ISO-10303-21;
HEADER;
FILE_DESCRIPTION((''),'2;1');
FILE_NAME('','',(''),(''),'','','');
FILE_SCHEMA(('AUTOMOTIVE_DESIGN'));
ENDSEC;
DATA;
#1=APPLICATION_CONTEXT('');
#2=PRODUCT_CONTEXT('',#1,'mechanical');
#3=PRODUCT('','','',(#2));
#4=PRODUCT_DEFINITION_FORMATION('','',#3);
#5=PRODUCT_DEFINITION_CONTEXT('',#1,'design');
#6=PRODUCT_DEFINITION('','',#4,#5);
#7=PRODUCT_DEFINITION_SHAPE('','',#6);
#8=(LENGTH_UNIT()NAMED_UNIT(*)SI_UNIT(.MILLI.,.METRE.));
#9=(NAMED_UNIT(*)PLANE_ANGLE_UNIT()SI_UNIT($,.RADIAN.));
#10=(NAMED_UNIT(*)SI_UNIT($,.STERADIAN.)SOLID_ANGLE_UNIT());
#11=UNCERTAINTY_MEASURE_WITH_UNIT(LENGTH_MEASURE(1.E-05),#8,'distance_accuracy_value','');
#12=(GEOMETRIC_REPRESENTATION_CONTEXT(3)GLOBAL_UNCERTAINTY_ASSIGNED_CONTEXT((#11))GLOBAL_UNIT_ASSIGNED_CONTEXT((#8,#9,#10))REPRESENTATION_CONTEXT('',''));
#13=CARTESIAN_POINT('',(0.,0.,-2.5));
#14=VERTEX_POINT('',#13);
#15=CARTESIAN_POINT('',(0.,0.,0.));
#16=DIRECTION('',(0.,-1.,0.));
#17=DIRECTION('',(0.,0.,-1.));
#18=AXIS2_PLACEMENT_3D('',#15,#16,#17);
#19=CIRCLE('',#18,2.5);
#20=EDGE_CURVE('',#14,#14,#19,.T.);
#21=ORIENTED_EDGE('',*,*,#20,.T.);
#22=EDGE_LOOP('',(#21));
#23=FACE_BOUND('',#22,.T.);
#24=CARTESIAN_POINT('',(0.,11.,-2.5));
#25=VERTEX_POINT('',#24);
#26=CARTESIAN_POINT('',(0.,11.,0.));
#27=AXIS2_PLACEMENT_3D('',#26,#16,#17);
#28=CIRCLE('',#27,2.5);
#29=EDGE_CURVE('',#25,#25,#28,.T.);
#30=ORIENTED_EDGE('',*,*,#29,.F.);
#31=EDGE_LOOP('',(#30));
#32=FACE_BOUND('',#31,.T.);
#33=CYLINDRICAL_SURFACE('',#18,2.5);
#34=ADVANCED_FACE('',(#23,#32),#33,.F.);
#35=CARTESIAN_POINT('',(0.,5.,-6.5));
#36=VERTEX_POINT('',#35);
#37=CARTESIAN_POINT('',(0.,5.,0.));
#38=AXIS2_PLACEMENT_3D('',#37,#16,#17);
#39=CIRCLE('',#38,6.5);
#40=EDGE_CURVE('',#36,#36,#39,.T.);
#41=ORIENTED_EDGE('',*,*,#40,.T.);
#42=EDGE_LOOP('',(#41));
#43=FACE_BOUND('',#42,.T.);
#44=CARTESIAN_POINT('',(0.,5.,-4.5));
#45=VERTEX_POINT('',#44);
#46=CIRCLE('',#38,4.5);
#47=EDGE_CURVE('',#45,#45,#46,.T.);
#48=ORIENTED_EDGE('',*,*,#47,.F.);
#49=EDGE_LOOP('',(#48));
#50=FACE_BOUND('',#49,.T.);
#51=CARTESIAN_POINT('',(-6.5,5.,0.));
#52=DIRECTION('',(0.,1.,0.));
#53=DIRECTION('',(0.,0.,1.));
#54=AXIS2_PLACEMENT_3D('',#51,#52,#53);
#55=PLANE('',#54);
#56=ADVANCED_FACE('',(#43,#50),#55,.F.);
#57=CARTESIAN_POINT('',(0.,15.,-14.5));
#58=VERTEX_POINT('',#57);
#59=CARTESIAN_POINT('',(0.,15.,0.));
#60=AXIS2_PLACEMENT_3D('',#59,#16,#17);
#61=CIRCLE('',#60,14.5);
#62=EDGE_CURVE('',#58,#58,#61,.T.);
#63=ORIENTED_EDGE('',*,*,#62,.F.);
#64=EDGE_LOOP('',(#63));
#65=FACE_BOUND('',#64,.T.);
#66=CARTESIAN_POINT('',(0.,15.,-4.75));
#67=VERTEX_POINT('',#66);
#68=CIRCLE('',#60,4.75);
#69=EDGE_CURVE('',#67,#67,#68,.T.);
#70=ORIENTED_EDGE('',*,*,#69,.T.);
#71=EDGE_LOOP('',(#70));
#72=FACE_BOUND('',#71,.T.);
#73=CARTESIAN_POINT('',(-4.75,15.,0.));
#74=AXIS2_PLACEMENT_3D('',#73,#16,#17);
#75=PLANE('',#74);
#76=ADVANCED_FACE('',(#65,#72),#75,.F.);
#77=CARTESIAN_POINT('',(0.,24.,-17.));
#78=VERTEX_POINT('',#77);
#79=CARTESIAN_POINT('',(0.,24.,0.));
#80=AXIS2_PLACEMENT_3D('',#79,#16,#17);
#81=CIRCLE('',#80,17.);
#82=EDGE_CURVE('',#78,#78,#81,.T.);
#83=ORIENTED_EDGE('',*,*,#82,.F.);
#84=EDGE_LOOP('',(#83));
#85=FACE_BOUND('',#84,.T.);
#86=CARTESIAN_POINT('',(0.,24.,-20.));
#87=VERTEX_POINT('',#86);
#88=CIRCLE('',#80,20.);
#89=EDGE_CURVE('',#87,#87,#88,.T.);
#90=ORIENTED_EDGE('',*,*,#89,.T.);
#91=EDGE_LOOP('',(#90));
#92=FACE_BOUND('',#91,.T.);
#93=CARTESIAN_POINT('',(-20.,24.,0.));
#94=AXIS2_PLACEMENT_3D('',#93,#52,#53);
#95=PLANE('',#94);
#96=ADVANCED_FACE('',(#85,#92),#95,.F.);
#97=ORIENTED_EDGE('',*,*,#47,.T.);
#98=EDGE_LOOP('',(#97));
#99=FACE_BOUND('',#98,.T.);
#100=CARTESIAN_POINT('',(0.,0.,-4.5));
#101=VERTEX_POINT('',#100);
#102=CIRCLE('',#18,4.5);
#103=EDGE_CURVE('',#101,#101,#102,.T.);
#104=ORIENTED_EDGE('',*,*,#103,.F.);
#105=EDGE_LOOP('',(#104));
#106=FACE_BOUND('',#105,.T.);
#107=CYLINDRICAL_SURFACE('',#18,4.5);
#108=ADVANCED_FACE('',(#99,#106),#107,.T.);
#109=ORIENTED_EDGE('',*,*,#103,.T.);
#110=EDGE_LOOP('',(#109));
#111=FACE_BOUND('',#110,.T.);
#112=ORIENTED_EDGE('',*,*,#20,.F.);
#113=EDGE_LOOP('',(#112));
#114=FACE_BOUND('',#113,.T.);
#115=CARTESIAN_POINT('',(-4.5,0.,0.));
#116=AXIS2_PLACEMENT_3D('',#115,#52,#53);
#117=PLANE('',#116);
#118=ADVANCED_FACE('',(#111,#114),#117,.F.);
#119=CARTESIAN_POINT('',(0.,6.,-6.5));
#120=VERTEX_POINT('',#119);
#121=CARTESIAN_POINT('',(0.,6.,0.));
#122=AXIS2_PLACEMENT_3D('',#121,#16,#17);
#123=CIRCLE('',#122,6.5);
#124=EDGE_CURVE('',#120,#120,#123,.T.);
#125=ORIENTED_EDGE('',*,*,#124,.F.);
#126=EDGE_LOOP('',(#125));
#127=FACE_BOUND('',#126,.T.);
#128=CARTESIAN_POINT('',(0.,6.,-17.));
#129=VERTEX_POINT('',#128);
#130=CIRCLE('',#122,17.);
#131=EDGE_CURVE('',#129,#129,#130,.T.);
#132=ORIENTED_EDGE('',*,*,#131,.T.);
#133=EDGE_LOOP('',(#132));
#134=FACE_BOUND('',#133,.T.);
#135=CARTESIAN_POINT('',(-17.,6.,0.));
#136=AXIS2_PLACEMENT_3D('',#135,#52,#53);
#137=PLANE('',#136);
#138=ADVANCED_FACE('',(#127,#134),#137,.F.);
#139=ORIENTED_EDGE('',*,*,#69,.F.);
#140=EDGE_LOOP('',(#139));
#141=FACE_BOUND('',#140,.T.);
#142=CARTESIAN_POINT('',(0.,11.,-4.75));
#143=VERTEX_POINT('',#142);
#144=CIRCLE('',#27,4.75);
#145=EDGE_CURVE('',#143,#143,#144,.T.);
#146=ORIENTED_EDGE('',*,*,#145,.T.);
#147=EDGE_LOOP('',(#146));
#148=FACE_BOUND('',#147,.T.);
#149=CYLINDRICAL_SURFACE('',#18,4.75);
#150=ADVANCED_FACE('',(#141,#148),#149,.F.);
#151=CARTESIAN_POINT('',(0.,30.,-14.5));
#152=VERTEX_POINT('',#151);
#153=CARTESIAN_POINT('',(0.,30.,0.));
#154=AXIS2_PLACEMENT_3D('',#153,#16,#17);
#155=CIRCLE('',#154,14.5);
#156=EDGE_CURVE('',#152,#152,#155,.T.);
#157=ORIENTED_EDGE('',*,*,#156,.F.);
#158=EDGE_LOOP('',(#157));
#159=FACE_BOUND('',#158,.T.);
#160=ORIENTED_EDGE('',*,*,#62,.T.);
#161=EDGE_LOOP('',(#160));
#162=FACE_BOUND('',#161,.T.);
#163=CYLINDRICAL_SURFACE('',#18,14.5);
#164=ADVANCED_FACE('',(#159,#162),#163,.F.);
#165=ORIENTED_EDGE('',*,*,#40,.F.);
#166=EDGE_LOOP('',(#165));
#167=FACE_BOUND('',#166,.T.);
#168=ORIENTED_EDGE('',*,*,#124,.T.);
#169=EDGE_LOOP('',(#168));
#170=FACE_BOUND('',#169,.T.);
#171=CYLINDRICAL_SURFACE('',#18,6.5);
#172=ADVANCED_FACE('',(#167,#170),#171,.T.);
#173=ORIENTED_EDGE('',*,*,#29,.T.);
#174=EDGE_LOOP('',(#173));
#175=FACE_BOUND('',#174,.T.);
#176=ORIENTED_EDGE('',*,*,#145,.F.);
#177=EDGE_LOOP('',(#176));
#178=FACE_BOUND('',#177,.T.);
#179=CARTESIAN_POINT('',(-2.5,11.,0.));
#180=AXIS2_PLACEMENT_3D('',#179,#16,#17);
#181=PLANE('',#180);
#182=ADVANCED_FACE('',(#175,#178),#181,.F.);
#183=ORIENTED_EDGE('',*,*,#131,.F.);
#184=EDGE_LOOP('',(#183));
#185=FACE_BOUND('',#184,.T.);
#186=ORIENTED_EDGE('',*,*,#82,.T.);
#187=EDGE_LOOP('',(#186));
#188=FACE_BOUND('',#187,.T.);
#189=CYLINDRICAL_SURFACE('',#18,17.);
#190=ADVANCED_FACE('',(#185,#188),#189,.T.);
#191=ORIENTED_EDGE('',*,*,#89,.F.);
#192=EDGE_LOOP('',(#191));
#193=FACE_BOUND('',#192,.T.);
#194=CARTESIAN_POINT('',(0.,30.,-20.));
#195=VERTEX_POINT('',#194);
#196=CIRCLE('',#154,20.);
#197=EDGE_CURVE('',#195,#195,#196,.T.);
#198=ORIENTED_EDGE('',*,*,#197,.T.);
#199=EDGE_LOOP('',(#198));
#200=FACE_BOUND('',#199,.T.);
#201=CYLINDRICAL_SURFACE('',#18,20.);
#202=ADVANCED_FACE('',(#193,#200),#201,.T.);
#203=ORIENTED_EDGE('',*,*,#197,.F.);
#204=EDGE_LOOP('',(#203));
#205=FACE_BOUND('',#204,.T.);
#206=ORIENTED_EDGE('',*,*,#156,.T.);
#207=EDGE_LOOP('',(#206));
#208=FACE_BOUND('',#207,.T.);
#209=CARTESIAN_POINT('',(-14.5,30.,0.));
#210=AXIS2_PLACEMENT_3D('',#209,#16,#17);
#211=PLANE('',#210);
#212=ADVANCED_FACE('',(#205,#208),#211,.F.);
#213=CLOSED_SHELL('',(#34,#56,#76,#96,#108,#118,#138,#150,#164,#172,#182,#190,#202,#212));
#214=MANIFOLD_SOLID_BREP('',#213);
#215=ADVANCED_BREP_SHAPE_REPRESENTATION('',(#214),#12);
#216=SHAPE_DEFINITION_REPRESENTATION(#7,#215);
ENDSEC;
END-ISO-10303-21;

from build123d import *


with BuildPart() as part:
    # 草图1 → 旋转1 (revolve)
    with BuildSketch(Plane.XY, mode=Mode.PRIVATE) as revolve_1_sk:
        Polygon((-2.5, 0), (-2.5, 11), (-4.75, 11), (-4.75, 15), (-14.5, 15), (-14.5, 30), (-20, 30), (-20, 24), (-17, 24), (-17, 6), (-6.5, 6), (-6.5, 5), (-4.5, 5), (-4.5, 0), align=None)
    revolve(revolve_1_sk.sketch.rotate(Axis((0, 0, 0), (0, 1, 0)), 270), axis=Axis((0, 0, 0), (0, 1, 0)))


solid = part.part
